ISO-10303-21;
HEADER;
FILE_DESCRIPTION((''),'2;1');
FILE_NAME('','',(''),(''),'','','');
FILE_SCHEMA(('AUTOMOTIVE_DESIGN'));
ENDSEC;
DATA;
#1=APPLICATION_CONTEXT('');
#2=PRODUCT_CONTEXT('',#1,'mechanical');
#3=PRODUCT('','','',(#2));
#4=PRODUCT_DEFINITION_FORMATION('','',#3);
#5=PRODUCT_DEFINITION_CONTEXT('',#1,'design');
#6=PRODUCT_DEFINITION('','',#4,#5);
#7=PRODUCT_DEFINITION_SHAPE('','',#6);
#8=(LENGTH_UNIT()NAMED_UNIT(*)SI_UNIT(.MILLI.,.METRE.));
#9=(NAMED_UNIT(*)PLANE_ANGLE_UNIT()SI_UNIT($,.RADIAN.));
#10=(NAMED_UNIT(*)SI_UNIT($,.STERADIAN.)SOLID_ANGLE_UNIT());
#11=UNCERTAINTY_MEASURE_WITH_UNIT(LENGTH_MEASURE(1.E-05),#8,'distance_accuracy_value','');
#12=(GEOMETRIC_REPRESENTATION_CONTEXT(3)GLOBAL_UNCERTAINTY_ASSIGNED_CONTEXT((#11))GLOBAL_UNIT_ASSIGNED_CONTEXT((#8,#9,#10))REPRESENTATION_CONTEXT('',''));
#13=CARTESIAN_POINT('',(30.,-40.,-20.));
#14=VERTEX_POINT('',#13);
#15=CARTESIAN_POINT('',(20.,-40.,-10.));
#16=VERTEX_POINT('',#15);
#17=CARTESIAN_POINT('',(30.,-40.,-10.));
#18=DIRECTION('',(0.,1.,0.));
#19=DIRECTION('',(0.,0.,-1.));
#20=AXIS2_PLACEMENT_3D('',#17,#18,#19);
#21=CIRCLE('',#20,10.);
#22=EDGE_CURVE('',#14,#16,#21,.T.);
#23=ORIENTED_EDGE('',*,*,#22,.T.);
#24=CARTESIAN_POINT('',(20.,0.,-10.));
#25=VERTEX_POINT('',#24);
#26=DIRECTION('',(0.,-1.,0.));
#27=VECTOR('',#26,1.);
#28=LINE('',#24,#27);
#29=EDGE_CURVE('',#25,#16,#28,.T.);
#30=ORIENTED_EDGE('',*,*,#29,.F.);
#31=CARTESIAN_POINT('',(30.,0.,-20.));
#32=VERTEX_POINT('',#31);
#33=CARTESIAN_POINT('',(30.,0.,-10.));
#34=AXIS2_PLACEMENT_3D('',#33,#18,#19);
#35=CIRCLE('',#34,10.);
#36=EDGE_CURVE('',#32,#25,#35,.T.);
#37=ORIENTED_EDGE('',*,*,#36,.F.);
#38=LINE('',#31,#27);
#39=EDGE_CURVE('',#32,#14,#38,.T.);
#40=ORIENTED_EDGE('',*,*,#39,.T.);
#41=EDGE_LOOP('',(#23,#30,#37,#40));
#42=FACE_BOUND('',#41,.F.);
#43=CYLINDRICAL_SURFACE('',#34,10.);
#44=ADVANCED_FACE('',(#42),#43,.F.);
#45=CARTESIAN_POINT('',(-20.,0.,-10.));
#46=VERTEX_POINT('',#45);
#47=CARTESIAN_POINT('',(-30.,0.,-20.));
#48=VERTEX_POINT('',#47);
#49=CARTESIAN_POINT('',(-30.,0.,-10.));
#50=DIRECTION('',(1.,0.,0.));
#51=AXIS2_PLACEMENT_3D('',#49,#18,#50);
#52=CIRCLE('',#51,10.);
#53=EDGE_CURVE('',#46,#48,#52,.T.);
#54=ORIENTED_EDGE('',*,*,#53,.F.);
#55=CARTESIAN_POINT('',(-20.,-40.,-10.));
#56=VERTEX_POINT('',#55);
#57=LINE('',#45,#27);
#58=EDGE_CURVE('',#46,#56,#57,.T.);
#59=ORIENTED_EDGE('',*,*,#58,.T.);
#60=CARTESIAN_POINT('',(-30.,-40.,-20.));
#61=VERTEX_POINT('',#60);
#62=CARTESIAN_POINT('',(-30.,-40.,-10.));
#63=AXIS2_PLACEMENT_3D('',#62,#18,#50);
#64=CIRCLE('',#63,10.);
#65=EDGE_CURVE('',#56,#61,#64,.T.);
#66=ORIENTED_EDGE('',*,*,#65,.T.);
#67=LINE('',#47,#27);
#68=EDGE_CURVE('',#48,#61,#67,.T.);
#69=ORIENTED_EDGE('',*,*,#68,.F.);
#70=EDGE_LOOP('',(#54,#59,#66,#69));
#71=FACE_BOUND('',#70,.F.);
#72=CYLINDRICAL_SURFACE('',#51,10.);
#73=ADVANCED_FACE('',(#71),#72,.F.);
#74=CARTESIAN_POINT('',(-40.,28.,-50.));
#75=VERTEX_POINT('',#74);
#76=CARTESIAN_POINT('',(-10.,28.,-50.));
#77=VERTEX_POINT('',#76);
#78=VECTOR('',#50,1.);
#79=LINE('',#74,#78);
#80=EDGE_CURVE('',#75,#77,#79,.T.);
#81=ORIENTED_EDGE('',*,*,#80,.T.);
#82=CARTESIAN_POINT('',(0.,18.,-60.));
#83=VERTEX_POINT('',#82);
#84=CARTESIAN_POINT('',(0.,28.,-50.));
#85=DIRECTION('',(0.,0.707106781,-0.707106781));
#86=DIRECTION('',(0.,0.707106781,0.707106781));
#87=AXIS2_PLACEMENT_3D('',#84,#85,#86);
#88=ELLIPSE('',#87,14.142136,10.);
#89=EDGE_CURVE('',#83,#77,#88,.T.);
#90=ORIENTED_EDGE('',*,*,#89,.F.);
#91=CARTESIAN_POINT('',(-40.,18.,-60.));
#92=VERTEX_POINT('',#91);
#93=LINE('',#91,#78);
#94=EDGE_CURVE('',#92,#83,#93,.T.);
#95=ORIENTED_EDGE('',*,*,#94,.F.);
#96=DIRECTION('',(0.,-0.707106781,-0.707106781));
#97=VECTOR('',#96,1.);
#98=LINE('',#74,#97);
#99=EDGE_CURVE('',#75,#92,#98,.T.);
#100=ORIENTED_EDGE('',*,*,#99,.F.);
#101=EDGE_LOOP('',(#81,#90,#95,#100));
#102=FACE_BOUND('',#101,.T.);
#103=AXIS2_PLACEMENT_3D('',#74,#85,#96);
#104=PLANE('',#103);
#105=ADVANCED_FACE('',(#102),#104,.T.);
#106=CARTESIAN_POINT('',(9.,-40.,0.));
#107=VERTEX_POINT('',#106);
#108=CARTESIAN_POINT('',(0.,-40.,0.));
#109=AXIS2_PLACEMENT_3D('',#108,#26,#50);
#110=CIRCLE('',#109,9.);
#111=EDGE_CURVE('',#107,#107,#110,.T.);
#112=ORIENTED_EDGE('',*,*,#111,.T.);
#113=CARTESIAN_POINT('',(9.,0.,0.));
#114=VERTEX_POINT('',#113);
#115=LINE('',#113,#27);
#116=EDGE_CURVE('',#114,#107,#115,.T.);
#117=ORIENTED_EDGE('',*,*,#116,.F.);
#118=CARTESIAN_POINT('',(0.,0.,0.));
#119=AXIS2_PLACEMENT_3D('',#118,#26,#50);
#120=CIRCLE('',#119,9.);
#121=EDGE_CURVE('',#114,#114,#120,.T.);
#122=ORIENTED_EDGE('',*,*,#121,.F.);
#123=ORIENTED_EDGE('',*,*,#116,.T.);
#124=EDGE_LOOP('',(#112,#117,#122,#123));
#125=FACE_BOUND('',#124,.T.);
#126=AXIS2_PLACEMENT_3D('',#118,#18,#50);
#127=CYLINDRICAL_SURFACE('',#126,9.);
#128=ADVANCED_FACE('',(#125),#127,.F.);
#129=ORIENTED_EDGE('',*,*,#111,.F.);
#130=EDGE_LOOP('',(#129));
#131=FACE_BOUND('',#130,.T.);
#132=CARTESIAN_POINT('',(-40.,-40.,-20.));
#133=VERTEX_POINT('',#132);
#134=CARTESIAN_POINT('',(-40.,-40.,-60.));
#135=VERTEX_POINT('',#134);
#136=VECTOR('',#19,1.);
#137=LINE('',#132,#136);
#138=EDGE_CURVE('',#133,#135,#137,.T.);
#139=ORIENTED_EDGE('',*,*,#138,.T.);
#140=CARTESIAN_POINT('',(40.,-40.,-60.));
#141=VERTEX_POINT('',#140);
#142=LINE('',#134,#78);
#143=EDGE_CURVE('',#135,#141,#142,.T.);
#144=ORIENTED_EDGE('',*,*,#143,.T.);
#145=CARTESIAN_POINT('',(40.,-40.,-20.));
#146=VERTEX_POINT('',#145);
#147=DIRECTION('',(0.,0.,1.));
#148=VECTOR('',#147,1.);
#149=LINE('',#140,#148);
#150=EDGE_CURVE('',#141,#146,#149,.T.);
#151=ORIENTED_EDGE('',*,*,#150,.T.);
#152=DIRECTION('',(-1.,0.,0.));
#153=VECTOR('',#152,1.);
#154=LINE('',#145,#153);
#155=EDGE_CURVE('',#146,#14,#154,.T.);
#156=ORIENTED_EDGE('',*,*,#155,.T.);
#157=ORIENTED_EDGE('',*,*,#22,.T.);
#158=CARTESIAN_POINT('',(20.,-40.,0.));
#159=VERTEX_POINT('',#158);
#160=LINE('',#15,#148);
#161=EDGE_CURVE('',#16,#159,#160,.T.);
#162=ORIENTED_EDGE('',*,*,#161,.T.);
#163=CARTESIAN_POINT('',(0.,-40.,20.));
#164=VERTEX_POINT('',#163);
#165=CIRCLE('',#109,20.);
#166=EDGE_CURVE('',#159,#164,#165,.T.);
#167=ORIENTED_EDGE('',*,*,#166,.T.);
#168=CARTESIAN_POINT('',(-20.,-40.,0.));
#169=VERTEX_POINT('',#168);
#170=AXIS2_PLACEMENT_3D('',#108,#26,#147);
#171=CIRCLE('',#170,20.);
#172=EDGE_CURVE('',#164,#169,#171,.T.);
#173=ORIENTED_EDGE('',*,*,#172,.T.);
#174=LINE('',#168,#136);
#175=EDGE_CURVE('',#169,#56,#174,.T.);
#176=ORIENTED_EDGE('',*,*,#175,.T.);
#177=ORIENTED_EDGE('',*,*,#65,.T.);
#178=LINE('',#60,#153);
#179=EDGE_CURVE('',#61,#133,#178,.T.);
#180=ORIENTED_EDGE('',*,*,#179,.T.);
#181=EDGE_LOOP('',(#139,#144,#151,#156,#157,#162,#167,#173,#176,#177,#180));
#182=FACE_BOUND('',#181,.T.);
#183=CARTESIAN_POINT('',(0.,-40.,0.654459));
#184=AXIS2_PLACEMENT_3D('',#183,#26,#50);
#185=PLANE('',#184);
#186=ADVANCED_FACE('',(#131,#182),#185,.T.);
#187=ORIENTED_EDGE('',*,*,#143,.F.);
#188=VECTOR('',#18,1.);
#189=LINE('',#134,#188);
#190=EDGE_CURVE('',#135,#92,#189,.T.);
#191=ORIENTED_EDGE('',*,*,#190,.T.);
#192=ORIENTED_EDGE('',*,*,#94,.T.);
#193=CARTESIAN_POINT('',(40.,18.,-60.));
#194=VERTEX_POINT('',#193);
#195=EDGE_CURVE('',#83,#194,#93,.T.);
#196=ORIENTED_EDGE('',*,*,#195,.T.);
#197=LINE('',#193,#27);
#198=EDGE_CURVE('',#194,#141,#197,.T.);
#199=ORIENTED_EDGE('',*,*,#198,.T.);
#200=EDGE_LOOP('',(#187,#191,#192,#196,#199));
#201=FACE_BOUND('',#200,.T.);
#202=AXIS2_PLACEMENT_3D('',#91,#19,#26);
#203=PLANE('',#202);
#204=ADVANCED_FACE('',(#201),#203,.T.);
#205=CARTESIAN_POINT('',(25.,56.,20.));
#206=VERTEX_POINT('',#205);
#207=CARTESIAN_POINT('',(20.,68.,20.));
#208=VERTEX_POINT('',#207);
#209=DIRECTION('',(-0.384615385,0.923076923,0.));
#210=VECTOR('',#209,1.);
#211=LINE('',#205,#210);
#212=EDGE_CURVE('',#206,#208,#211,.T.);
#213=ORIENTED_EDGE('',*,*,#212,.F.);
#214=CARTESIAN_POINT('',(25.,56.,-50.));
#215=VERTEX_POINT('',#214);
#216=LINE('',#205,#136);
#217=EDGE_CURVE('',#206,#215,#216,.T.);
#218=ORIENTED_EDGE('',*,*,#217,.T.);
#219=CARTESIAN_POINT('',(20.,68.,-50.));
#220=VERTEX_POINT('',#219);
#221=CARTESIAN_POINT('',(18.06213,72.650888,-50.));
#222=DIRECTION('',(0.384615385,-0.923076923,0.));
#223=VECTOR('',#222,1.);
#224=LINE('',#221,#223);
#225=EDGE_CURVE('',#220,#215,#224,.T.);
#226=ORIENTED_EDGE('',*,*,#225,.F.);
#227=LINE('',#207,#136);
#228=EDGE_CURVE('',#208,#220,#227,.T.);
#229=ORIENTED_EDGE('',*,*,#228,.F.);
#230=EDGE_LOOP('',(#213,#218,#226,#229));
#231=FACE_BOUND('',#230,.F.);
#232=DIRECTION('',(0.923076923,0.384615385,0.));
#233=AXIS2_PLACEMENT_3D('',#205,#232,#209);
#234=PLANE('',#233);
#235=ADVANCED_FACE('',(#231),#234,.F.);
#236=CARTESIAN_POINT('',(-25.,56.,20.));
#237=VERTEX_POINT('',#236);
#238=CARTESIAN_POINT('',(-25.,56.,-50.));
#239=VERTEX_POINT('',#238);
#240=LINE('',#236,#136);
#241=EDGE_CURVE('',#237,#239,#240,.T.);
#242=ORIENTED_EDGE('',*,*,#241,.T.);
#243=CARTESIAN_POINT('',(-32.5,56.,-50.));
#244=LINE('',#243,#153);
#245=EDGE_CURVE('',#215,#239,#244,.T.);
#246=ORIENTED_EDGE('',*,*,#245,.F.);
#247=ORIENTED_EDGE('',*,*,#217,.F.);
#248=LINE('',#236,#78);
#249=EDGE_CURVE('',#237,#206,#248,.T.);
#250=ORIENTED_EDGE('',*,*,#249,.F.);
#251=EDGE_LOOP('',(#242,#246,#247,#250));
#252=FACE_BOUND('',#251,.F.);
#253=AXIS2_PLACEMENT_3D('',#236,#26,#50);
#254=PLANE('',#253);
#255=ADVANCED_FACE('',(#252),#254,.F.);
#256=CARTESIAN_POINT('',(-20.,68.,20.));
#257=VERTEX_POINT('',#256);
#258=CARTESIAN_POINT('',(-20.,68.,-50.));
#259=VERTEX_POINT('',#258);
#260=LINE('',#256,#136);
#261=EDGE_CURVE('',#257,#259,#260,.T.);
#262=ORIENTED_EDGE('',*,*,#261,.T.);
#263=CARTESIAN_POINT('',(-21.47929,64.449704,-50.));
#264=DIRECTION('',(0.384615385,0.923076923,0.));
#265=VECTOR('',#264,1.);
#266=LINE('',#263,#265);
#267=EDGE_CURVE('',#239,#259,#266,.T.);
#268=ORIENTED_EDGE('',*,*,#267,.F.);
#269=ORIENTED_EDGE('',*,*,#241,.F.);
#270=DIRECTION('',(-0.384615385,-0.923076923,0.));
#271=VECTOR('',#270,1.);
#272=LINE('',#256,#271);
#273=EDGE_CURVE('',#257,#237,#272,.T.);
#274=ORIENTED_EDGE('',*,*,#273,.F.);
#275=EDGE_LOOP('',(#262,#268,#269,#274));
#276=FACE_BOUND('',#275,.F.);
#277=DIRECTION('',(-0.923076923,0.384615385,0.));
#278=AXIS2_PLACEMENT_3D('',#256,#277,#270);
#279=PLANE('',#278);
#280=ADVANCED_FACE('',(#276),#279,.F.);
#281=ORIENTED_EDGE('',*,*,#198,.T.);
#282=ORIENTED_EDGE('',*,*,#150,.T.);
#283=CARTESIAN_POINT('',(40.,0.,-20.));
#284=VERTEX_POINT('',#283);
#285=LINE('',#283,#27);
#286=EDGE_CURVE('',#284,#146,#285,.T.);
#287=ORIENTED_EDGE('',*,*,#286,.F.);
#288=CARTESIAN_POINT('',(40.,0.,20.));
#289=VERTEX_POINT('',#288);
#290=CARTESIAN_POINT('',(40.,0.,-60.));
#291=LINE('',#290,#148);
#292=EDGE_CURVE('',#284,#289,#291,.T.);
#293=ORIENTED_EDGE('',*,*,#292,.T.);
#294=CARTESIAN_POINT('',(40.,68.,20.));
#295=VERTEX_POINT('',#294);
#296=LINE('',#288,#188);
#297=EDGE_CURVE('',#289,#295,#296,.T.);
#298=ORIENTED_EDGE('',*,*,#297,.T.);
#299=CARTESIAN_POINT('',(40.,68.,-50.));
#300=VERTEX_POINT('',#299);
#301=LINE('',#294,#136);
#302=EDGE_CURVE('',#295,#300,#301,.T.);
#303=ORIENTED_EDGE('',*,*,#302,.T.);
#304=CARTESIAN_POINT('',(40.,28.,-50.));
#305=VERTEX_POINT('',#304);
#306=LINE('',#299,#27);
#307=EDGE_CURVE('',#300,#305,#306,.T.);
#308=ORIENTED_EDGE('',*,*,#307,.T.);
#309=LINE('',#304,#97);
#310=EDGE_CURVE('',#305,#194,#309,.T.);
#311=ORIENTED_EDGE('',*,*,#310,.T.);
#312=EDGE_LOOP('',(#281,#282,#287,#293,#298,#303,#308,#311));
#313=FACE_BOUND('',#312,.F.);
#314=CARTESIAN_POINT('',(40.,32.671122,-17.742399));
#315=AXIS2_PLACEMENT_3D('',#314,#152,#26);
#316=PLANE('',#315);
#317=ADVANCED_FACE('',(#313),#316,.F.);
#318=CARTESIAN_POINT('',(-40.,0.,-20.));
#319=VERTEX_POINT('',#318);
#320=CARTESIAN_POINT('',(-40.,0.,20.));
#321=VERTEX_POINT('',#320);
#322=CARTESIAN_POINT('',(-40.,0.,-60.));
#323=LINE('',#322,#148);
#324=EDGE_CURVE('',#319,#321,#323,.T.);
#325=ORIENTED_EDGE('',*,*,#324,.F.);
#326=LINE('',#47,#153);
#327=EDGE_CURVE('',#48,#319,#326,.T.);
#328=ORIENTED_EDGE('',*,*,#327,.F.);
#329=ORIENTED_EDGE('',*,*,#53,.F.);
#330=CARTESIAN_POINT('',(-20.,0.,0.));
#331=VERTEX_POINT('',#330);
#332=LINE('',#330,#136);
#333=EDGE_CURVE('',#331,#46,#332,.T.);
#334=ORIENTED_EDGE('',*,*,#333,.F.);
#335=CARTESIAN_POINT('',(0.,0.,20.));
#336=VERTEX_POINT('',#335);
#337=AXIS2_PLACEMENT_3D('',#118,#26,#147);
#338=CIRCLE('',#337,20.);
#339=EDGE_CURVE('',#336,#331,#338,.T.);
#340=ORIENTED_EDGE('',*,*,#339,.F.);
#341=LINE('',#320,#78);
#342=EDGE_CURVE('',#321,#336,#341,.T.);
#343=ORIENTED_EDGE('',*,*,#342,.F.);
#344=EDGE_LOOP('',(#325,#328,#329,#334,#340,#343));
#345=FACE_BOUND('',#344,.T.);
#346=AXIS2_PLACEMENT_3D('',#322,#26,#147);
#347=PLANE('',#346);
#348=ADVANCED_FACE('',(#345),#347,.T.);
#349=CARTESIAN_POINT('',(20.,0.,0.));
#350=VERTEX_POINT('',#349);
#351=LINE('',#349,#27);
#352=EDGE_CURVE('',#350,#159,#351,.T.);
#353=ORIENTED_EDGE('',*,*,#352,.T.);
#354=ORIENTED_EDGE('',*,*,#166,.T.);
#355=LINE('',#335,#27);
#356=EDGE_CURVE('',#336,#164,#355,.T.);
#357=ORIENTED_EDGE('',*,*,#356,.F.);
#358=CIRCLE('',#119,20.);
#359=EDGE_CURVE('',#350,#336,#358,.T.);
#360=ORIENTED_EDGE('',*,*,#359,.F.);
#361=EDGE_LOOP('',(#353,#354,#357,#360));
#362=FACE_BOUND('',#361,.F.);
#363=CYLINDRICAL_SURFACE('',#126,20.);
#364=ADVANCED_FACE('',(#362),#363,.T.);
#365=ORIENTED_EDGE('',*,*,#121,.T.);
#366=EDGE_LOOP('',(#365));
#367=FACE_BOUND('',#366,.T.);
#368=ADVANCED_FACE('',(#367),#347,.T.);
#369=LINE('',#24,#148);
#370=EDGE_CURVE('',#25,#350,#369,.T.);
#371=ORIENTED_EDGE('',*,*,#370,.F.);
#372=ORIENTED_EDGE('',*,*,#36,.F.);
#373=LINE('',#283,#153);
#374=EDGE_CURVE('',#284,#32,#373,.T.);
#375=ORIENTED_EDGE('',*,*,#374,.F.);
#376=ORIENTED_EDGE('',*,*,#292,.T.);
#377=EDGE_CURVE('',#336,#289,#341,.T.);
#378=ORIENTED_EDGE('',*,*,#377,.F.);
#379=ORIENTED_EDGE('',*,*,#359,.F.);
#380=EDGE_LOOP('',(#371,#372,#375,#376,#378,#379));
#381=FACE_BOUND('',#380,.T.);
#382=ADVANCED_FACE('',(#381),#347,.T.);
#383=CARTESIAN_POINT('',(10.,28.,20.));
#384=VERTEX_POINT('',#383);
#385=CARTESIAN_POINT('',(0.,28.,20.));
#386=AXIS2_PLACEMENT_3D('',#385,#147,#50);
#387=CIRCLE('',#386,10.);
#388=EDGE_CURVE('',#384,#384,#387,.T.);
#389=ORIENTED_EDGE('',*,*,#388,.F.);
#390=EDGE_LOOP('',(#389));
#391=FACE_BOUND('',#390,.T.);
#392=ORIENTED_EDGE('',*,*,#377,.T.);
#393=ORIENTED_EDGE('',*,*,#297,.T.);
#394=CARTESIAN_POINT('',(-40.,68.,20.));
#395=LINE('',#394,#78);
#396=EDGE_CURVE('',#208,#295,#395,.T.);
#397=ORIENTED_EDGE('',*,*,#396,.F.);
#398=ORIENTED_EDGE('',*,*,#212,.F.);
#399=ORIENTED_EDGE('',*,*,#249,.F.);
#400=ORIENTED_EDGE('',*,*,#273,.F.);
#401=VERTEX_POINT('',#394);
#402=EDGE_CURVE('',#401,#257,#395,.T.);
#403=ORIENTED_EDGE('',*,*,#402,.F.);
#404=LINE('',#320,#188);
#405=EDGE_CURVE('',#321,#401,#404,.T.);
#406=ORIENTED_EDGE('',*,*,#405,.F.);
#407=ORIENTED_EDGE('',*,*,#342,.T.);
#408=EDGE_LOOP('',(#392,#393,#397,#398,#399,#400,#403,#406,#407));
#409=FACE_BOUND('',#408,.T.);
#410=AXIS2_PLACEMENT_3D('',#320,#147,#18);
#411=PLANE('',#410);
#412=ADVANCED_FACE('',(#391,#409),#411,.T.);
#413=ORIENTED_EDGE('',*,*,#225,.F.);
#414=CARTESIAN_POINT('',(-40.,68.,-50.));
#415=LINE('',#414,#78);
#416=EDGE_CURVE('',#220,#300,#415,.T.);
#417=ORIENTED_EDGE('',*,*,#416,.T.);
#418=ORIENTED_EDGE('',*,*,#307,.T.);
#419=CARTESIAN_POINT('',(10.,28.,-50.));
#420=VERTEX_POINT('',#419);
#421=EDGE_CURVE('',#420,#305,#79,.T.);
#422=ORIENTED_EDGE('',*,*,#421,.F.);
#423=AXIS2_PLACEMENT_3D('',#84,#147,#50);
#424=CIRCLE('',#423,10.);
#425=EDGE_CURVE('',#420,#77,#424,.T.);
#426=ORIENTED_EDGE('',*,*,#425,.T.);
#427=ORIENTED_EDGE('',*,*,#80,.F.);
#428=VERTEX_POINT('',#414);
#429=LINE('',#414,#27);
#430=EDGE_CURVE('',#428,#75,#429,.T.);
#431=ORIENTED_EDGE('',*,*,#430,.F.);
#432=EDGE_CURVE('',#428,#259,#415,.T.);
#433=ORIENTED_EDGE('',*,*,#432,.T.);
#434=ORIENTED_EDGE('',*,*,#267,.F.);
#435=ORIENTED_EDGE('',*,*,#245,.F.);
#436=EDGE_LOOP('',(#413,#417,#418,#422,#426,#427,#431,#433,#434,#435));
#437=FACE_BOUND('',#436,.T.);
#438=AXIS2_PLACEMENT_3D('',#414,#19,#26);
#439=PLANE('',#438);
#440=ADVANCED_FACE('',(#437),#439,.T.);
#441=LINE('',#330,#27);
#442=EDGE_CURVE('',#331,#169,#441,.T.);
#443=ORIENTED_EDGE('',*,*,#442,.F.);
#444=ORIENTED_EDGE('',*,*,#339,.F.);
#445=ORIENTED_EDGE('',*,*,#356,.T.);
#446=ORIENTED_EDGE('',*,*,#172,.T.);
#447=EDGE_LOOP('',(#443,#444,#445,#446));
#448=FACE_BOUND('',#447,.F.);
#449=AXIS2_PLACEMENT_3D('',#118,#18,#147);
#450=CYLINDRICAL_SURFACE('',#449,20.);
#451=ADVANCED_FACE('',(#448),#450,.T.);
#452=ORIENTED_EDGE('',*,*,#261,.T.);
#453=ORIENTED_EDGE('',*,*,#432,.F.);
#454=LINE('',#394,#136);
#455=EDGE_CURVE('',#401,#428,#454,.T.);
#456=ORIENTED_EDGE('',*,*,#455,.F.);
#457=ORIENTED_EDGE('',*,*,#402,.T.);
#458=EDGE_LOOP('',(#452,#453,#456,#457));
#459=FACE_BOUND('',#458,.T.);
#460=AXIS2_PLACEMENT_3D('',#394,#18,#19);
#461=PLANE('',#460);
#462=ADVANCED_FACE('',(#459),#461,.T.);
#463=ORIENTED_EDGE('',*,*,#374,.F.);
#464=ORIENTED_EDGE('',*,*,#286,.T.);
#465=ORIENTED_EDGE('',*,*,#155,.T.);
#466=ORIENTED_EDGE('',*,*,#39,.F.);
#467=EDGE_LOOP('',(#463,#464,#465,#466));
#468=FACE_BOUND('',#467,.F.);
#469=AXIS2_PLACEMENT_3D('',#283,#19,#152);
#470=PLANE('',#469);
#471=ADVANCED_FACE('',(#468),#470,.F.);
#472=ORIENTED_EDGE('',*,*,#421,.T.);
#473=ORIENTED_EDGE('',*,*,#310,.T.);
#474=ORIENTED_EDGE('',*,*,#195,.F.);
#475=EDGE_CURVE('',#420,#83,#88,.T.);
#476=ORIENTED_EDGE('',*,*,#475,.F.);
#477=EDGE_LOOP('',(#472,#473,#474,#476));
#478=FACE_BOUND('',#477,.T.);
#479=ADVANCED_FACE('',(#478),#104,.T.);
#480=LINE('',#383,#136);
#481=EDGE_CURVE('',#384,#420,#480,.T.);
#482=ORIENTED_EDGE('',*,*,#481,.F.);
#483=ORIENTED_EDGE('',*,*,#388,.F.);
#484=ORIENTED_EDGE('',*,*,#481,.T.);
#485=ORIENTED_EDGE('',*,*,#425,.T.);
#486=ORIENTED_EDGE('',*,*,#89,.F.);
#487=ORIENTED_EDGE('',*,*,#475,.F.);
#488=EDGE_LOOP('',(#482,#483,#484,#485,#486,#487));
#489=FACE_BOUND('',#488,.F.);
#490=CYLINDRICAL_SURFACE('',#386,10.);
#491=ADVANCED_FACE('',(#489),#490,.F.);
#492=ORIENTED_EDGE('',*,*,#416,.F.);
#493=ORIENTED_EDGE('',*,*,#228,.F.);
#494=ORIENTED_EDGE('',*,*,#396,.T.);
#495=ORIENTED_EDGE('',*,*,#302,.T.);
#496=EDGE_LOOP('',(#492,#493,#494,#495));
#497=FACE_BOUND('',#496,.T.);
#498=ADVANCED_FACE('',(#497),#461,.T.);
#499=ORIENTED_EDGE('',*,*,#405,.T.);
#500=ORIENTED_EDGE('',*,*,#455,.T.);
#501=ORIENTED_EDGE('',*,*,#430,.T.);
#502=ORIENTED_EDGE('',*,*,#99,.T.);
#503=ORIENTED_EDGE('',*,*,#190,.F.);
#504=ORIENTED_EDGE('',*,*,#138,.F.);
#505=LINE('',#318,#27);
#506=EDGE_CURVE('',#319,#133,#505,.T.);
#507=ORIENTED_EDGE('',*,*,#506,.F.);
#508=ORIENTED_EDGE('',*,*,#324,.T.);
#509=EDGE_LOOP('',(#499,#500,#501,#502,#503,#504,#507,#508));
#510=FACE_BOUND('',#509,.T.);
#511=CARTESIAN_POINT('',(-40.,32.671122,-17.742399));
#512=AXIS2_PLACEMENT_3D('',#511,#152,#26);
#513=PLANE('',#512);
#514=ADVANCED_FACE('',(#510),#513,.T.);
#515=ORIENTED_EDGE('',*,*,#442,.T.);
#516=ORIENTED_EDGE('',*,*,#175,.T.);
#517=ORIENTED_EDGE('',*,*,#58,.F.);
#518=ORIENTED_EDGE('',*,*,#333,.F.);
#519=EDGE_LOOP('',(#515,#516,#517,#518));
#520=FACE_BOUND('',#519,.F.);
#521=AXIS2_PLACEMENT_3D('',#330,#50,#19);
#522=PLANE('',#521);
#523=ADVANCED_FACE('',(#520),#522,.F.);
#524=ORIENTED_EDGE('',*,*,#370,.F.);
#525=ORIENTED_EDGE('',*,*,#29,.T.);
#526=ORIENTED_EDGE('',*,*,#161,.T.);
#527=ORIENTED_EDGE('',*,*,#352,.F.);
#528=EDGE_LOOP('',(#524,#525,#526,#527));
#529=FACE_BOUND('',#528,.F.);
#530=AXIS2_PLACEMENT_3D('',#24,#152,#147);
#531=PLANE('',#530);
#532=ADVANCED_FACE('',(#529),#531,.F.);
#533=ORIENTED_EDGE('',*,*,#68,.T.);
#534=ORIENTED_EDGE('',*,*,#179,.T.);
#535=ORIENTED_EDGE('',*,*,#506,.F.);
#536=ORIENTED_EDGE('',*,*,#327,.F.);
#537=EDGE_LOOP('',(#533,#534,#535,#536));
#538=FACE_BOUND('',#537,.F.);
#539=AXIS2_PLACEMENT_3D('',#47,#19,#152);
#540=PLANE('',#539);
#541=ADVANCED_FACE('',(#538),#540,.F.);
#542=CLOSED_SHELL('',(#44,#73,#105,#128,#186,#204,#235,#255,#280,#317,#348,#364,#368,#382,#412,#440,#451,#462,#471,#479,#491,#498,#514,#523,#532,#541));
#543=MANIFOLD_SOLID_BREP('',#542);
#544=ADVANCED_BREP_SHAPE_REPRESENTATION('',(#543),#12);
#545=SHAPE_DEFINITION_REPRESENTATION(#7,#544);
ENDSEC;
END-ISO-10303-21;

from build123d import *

# Parameters (mm, degrees)
F0_R     = 9
F1_DEPTH = 40
F3_DEPTH = 80
F5_DEPTH = 100
F7_R     = 10
F8_DEPTH = 100


with BuildPart() as f1:
    # F0 (on Front) → F1 (new body)
    with BuildSketch(Plane.XZ):
        with BuildLine():
            ThreePointArc((-20, 0), (0, -20), (20, 0))
            ThreePointArc((20, 0), (14.1421356237, 14.1421356237), (0, 20))
            ThreePointArc((0, 20), (-14.1421356237, 14.1421356237), (-20, 0))
        make_face()
        Circle(F0_R, mode=Mode.SUBTRACT)
        with BuildLine():
            Line((20, -10), (20, 0))
            ThreePointArc((20, 0), (0, -20), (-20, 0))
            Line((-20, 0), (-20, -10))
            ThreePointArc((-20, -10), (-22.9289321881, -17.0710678119), (-30, -20))
            Line((-30, -20), (-40, -20))
            Line((-40, -20), (-40, -60))
            Line((-40, -60), (40, -60))
            Line((40, -60), (40, -20))
            Line((40, -20), (30, -20))
            ThreePointArc((30, -20), (22.9289321881, -17.0710678119), (20, -10))
        make_face()
    extrude(amount=F1_DEPTH)

    # F2 (on face) → F3 (join)
    with BuildSketch(Plane(origin=(-40, 0, 0), x_dir=(0, -1, 0), z_dir=(-1, 0, 0))):
        Polygon((-18, -60), (0, -60), (0, -20), (0, 20), (-68, 20), (-68, -50), (-28, -50), align=None)
    extrude(amount=-F3_DEPTH)


with BuildPart() as f5:
    # F4 (on face) → F5 (new body)
    with BuildSketch(Plane.XY.offset(20)):
        Polygon((20, 68), (-20, 68), (-25, 56), (0, 56), (25, 56), align=None)
    extrude(amount=-F5_DEPTH)


with BuildPart() as f1_1:
    add(f1.part)

    # F6: cut F5
    add(f5.part, mode=Mode.SUBTRACT)


with BuildPart() as f8:
    # F7 (on face) → F8 (new body)
    with BuildSketch(Plane.XY.offset(20)):
        with Locations((0, 28)):
            Circle(F7_R)
    extrude(amount=-F8_DEPTH)


with BuildPart() as f1_2:
    add(f1_1.part)

    # F9: cut F8
    add(f8.part, mode=Mode.SUBTRACT)


solid = f1_2.part
